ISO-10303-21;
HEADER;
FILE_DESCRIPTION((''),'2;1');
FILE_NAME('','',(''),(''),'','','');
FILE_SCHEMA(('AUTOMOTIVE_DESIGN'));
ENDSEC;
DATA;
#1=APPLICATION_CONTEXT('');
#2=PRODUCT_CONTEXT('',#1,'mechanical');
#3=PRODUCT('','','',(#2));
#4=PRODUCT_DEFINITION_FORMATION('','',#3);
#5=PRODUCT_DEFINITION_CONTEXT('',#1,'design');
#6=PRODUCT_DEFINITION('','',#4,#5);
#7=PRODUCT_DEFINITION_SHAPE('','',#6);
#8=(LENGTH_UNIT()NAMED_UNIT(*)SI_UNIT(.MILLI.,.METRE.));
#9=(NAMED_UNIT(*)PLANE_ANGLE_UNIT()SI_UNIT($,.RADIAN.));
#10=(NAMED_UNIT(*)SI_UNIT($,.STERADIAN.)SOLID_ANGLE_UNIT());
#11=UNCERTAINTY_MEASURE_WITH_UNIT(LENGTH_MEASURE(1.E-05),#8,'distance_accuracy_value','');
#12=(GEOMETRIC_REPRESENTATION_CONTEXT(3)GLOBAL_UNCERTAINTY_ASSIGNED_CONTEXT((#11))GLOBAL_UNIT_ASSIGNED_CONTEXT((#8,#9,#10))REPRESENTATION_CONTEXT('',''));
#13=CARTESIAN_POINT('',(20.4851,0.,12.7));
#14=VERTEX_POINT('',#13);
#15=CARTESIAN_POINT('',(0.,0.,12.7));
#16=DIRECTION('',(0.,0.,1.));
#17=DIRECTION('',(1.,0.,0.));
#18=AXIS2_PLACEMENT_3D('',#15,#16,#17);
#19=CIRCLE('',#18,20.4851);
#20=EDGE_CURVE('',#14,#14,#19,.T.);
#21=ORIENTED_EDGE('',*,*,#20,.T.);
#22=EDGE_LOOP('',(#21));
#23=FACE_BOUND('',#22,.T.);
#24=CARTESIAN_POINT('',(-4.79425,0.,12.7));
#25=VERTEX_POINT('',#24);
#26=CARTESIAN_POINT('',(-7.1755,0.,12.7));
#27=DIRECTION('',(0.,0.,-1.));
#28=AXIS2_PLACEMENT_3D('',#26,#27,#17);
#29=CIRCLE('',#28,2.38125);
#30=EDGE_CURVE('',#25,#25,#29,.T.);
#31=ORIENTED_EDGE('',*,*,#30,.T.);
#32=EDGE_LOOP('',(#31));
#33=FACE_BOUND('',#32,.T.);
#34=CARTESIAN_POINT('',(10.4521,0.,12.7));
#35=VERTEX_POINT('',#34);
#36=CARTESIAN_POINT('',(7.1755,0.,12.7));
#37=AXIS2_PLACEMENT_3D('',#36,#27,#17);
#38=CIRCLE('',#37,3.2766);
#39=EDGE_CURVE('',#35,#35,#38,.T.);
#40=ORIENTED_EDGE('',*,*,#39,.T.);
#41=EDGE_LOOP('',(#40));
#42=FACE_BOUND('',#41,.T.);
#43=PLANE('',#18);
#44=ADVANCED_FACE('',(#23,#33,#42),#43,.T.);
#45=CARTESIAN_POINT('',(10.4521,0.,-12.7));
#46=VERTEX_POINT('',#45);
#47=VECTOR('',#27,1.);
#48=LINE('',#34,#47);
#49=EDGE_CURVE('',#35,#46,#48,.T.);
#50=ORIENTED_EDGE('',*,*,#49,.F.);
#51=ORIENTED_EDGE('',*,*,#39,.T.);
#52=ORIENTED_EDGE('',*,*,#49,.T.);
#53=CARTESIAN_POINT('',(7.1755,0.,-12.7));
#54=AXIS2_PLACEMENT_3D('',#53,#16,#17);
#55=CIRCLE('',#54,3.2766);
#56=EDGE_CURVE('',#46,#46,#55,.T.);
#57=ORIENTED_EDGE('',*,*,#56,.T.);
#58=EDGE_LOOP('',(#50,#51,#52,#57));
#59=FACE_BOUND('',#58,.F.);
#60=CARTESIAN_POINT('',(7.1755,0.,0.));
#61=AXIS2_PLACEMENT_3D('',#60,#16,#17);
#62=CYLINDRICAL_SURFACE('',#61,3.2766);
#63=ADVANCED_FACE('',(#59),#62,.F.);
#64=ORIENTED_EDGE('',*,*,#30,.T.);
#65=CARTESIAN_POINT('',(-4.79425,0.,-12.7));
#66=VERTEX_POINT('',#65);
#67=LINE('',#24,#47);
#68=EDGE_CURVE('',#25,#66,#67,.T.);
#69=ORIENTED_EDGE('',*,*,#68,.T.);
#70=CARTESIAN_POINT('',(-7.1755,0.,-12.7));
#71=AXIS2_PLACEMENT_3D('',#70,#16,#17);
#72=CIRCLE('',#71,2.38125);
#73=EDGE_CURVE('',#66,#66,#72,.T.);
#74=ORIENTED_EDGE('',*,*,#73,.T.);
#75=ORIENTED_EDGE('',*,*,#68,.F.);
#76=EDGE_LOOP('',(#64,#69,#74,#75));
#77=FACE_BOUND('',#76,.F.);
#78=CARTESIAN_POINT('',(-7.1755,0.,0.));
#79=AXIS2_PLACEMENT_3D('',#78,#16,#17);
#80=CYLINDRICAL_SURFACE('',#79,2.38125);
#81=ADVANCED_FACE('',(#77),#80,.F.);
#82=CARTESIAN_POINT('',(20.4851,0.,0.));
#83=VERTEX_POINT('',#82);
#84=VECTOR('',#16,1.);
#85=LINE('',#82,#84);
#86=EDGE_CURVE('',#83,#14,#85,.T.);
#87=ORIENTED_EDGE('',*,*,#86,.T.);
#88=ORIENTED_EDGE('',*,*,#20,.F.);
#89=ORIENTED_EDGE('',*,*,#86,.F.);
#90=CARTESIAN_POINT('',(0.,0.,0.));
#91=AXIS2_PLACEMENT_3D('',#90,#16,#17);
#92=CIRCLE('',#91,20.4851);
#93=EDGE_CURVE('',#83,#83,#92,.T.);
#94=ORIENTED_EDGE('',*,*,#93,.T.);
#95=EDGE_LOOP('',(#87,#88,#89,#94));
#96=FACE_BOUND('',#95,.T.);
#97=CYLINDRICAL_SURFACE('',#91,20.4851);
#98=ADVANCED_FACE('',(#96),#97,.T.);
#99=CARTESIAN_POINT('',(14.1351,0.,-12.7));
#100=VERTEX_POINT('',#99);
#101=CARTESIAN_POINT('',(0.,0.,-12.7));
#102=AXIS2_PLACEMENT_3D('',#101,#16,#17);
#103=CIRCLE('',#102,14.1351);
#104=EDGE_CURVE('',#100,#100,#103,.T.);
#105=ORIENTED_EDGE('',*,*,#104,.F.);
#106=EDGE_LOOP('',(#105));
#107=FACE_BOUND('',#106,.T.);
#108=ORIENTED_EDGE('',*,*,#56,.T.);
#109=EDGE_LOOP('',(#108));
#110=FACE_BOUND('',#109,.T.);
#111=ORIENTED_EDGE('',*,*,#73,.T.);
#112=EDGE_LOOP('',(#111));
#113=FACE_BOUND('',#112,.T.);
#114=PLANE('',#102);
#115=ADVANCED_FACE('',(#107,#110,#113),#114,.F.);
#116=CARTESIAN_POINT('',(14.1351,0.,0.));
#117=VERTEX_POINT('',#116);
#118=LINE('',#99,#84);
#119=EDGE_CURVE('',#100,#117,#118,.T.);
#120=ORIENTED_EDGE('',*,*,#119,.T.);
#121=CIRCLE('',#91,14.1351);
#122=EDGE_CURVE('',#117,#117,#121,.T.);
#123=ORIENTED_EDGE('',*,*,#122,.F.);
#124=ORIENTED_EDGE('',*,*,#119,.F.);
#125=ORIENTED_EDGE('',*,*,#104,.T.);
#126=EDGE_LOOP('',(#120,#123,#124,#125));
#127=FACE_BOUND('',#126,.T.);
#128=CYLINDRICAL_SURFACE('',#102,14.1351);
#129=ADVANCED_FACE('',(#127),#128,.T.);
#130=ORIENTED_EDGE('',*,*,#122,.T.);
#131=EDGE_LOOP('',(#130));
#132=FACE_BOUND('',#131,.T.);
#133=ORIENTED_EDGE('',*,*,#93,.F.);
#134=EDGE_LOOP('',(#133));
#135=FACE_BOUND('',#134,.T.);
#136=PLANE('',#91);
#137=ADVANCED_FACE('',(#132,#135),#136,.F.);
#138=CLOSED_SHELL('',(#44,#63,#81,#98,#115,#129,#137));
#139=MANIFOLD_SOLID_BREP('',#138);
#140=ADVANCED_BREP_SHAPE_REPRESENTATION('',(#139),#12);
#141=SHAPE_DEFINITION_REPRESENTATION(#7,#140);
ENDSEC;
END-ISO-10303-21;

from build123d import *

# Parameters (mm, degrees)
F2_R          = 3.2766
F2_R_2        = 2.38125
F3_DEPTH      = 12.701
F3_DEPTH_BACK = 12.701


with BuildPart() as f1:
    # F0 (on Front) → F1 (revolve)
    with BuildSketch(Plane.XZ):
        Polygon((0, 12.7), (0, -12.7), (14.1351, -12.7), (14.1351, 0), (20.4851, 0), (20.4851, 12.7), align=None)
    revolve(axis=Axis((0, 0, 0), (0, 0, 1)))

    # F2 (on Top) → F3 (cut, two sides)
    with BuildSketch(Plane.XY) as f3_sk:
        with Locations((7.1755, 0)):
            Circle(F2_R)
        with Locations((-7.1755, 0)):
            Circle(F2_R_2)
    extrude(amount=-F3_DEPTH, mode=Mode.SUBTRACT)
    extrude(f3_sk.sketch, amount=F3_DEPTH_BACK, mode=Mode.SUBTRACT)


solid = f1.part
